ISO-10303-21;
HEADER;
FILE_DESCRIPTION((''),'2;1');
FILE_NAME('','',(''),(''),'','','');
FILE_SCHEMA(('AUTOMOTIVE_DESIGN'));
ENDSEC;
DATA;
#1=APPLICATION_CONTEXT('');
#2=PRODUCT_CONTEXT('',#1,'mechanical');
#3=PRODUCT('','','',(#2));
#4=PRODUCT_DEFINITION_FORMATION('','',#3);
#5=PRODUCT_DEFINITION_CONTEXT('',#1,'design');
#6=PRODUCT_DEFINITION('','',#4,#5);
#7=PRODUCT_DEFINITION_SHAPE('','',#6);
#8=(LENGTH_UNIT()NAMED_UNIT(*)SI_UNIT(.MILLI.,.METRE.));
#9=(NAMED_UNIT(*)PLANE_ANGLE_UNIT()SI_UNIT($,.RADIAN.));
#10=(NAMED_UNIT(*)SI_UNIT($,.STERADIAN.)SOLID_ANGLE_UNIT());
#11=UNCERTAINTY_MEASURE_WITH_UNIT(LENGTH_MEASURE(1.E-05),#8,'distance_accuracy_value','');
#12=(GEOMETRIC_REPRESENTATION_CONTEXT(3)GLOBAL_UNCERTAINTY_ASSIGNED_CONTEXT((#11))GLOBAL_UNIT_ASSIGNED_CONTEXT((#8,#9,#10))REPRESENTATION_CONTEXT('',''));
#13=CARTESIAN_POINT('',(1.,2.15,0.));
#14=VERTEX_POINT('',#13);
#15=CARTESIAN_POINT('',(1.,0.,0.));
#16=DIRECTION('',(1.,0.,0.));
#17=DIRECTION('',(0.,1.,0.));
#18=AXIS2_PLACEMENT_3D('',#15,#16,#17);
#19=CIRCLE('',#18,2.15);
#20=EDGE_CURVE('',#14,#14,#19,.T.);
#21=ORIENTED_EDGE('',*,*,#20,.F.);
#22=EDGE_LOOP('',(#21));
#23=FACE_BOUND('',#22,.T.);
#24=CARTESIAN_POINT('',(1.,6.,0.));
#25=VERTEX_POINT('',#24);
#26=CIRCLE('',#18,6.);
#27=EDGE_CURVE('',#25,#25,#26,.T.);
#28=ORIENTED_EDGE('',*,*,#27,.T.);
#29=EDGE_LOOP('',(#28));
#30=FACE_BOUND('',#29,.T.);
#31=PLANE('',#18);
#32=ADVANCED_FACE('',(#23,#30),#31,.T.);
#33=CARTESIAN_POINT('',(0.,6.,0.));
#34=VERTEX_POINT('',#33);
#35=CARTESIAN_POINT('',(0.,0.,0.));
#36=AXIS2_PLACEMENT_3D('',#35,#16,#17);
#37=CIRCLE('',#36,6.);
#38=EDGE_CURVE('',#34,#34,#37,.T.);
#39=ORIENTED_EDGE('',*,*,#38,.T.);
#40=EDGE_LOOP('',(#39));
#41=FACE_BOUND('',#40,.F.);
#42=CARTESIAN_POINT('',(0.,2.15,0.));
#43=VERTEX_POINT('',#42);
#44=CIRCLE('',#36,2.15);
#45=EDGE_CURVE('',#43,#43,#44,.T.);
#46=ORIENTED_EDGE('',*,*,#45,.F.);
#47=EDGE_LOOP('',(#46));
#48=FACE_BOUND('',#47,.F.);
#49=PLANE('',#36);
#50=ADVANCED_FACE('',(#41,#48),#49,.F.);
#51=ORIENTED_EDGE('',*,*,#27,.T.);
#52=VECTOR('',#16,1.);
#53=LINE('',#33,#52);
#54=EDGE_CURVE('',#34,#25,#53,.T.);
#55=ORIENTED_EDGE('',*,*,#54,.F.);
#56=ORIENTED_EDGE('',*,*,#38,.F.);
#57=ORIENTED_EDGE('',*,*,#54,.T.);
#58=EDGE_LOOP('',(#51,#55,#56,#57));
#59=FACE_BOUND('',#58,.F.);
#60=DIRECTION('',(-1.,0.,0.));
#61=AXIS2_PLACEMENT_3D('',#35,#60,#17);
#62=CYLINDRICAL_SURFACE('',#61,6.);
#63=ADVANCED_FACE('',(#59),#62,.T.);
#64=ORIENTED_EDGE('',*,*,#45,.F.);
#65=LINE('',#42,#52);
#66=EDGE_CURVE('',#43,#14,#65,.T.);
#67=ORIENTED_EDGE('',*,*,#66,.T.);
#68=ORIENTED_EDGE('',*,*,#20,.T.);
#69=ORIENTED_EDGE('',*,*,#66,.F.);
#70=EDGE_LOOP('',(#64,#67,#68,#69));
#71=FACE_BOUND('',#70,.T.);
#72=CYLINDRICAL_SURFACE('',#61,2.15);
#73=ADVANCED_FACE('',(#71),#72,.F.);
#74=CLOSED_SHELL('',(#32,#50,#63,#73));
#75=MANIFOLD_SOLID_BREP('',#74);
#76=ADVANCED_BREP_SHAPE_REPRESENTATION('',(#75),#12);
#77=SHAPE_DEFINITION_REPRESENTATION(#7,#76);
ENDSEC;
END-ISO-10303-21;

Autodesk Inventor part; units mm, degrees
ref_plane "YZ Plane" through (0, 0, 0) normal (1, 0, 0) x (0, 1, 0)
ref_plane "XZ Plane" through (0, 0, 0) normal (0, 1, 0) x (-1, 0, 0)
sketch "Эскиз" plane through (0, 0, 0) normal (1, 0, 0) x (0, 1, 0)
  circle A0 centre (0, 0) radius 6
  circle A1 centre (0, 0) radius 2.15
  dimension "d0" = 4.3
  dimension "d1" = 12
extrude "Базовый элемент" add sketch "Эскиз" along normal blind 1
ref_plane "Work Plane1" through (0, 0, 0) normal (0, 0, 1) x (1, 0, 0)
equation "\"d0\" = SD1"
equation "\"d1\" = SD2"
equation "\"d2\" = SD"
equation "\"SD1\" = 4.3"
equation "\"SD2\" = 12"
equation "\"SD\" = 1"
equation "\"NND\" = 4"
properties part number "Шайба A 4 ГОСТ 6958-78" material "Сталь, мягкая"
